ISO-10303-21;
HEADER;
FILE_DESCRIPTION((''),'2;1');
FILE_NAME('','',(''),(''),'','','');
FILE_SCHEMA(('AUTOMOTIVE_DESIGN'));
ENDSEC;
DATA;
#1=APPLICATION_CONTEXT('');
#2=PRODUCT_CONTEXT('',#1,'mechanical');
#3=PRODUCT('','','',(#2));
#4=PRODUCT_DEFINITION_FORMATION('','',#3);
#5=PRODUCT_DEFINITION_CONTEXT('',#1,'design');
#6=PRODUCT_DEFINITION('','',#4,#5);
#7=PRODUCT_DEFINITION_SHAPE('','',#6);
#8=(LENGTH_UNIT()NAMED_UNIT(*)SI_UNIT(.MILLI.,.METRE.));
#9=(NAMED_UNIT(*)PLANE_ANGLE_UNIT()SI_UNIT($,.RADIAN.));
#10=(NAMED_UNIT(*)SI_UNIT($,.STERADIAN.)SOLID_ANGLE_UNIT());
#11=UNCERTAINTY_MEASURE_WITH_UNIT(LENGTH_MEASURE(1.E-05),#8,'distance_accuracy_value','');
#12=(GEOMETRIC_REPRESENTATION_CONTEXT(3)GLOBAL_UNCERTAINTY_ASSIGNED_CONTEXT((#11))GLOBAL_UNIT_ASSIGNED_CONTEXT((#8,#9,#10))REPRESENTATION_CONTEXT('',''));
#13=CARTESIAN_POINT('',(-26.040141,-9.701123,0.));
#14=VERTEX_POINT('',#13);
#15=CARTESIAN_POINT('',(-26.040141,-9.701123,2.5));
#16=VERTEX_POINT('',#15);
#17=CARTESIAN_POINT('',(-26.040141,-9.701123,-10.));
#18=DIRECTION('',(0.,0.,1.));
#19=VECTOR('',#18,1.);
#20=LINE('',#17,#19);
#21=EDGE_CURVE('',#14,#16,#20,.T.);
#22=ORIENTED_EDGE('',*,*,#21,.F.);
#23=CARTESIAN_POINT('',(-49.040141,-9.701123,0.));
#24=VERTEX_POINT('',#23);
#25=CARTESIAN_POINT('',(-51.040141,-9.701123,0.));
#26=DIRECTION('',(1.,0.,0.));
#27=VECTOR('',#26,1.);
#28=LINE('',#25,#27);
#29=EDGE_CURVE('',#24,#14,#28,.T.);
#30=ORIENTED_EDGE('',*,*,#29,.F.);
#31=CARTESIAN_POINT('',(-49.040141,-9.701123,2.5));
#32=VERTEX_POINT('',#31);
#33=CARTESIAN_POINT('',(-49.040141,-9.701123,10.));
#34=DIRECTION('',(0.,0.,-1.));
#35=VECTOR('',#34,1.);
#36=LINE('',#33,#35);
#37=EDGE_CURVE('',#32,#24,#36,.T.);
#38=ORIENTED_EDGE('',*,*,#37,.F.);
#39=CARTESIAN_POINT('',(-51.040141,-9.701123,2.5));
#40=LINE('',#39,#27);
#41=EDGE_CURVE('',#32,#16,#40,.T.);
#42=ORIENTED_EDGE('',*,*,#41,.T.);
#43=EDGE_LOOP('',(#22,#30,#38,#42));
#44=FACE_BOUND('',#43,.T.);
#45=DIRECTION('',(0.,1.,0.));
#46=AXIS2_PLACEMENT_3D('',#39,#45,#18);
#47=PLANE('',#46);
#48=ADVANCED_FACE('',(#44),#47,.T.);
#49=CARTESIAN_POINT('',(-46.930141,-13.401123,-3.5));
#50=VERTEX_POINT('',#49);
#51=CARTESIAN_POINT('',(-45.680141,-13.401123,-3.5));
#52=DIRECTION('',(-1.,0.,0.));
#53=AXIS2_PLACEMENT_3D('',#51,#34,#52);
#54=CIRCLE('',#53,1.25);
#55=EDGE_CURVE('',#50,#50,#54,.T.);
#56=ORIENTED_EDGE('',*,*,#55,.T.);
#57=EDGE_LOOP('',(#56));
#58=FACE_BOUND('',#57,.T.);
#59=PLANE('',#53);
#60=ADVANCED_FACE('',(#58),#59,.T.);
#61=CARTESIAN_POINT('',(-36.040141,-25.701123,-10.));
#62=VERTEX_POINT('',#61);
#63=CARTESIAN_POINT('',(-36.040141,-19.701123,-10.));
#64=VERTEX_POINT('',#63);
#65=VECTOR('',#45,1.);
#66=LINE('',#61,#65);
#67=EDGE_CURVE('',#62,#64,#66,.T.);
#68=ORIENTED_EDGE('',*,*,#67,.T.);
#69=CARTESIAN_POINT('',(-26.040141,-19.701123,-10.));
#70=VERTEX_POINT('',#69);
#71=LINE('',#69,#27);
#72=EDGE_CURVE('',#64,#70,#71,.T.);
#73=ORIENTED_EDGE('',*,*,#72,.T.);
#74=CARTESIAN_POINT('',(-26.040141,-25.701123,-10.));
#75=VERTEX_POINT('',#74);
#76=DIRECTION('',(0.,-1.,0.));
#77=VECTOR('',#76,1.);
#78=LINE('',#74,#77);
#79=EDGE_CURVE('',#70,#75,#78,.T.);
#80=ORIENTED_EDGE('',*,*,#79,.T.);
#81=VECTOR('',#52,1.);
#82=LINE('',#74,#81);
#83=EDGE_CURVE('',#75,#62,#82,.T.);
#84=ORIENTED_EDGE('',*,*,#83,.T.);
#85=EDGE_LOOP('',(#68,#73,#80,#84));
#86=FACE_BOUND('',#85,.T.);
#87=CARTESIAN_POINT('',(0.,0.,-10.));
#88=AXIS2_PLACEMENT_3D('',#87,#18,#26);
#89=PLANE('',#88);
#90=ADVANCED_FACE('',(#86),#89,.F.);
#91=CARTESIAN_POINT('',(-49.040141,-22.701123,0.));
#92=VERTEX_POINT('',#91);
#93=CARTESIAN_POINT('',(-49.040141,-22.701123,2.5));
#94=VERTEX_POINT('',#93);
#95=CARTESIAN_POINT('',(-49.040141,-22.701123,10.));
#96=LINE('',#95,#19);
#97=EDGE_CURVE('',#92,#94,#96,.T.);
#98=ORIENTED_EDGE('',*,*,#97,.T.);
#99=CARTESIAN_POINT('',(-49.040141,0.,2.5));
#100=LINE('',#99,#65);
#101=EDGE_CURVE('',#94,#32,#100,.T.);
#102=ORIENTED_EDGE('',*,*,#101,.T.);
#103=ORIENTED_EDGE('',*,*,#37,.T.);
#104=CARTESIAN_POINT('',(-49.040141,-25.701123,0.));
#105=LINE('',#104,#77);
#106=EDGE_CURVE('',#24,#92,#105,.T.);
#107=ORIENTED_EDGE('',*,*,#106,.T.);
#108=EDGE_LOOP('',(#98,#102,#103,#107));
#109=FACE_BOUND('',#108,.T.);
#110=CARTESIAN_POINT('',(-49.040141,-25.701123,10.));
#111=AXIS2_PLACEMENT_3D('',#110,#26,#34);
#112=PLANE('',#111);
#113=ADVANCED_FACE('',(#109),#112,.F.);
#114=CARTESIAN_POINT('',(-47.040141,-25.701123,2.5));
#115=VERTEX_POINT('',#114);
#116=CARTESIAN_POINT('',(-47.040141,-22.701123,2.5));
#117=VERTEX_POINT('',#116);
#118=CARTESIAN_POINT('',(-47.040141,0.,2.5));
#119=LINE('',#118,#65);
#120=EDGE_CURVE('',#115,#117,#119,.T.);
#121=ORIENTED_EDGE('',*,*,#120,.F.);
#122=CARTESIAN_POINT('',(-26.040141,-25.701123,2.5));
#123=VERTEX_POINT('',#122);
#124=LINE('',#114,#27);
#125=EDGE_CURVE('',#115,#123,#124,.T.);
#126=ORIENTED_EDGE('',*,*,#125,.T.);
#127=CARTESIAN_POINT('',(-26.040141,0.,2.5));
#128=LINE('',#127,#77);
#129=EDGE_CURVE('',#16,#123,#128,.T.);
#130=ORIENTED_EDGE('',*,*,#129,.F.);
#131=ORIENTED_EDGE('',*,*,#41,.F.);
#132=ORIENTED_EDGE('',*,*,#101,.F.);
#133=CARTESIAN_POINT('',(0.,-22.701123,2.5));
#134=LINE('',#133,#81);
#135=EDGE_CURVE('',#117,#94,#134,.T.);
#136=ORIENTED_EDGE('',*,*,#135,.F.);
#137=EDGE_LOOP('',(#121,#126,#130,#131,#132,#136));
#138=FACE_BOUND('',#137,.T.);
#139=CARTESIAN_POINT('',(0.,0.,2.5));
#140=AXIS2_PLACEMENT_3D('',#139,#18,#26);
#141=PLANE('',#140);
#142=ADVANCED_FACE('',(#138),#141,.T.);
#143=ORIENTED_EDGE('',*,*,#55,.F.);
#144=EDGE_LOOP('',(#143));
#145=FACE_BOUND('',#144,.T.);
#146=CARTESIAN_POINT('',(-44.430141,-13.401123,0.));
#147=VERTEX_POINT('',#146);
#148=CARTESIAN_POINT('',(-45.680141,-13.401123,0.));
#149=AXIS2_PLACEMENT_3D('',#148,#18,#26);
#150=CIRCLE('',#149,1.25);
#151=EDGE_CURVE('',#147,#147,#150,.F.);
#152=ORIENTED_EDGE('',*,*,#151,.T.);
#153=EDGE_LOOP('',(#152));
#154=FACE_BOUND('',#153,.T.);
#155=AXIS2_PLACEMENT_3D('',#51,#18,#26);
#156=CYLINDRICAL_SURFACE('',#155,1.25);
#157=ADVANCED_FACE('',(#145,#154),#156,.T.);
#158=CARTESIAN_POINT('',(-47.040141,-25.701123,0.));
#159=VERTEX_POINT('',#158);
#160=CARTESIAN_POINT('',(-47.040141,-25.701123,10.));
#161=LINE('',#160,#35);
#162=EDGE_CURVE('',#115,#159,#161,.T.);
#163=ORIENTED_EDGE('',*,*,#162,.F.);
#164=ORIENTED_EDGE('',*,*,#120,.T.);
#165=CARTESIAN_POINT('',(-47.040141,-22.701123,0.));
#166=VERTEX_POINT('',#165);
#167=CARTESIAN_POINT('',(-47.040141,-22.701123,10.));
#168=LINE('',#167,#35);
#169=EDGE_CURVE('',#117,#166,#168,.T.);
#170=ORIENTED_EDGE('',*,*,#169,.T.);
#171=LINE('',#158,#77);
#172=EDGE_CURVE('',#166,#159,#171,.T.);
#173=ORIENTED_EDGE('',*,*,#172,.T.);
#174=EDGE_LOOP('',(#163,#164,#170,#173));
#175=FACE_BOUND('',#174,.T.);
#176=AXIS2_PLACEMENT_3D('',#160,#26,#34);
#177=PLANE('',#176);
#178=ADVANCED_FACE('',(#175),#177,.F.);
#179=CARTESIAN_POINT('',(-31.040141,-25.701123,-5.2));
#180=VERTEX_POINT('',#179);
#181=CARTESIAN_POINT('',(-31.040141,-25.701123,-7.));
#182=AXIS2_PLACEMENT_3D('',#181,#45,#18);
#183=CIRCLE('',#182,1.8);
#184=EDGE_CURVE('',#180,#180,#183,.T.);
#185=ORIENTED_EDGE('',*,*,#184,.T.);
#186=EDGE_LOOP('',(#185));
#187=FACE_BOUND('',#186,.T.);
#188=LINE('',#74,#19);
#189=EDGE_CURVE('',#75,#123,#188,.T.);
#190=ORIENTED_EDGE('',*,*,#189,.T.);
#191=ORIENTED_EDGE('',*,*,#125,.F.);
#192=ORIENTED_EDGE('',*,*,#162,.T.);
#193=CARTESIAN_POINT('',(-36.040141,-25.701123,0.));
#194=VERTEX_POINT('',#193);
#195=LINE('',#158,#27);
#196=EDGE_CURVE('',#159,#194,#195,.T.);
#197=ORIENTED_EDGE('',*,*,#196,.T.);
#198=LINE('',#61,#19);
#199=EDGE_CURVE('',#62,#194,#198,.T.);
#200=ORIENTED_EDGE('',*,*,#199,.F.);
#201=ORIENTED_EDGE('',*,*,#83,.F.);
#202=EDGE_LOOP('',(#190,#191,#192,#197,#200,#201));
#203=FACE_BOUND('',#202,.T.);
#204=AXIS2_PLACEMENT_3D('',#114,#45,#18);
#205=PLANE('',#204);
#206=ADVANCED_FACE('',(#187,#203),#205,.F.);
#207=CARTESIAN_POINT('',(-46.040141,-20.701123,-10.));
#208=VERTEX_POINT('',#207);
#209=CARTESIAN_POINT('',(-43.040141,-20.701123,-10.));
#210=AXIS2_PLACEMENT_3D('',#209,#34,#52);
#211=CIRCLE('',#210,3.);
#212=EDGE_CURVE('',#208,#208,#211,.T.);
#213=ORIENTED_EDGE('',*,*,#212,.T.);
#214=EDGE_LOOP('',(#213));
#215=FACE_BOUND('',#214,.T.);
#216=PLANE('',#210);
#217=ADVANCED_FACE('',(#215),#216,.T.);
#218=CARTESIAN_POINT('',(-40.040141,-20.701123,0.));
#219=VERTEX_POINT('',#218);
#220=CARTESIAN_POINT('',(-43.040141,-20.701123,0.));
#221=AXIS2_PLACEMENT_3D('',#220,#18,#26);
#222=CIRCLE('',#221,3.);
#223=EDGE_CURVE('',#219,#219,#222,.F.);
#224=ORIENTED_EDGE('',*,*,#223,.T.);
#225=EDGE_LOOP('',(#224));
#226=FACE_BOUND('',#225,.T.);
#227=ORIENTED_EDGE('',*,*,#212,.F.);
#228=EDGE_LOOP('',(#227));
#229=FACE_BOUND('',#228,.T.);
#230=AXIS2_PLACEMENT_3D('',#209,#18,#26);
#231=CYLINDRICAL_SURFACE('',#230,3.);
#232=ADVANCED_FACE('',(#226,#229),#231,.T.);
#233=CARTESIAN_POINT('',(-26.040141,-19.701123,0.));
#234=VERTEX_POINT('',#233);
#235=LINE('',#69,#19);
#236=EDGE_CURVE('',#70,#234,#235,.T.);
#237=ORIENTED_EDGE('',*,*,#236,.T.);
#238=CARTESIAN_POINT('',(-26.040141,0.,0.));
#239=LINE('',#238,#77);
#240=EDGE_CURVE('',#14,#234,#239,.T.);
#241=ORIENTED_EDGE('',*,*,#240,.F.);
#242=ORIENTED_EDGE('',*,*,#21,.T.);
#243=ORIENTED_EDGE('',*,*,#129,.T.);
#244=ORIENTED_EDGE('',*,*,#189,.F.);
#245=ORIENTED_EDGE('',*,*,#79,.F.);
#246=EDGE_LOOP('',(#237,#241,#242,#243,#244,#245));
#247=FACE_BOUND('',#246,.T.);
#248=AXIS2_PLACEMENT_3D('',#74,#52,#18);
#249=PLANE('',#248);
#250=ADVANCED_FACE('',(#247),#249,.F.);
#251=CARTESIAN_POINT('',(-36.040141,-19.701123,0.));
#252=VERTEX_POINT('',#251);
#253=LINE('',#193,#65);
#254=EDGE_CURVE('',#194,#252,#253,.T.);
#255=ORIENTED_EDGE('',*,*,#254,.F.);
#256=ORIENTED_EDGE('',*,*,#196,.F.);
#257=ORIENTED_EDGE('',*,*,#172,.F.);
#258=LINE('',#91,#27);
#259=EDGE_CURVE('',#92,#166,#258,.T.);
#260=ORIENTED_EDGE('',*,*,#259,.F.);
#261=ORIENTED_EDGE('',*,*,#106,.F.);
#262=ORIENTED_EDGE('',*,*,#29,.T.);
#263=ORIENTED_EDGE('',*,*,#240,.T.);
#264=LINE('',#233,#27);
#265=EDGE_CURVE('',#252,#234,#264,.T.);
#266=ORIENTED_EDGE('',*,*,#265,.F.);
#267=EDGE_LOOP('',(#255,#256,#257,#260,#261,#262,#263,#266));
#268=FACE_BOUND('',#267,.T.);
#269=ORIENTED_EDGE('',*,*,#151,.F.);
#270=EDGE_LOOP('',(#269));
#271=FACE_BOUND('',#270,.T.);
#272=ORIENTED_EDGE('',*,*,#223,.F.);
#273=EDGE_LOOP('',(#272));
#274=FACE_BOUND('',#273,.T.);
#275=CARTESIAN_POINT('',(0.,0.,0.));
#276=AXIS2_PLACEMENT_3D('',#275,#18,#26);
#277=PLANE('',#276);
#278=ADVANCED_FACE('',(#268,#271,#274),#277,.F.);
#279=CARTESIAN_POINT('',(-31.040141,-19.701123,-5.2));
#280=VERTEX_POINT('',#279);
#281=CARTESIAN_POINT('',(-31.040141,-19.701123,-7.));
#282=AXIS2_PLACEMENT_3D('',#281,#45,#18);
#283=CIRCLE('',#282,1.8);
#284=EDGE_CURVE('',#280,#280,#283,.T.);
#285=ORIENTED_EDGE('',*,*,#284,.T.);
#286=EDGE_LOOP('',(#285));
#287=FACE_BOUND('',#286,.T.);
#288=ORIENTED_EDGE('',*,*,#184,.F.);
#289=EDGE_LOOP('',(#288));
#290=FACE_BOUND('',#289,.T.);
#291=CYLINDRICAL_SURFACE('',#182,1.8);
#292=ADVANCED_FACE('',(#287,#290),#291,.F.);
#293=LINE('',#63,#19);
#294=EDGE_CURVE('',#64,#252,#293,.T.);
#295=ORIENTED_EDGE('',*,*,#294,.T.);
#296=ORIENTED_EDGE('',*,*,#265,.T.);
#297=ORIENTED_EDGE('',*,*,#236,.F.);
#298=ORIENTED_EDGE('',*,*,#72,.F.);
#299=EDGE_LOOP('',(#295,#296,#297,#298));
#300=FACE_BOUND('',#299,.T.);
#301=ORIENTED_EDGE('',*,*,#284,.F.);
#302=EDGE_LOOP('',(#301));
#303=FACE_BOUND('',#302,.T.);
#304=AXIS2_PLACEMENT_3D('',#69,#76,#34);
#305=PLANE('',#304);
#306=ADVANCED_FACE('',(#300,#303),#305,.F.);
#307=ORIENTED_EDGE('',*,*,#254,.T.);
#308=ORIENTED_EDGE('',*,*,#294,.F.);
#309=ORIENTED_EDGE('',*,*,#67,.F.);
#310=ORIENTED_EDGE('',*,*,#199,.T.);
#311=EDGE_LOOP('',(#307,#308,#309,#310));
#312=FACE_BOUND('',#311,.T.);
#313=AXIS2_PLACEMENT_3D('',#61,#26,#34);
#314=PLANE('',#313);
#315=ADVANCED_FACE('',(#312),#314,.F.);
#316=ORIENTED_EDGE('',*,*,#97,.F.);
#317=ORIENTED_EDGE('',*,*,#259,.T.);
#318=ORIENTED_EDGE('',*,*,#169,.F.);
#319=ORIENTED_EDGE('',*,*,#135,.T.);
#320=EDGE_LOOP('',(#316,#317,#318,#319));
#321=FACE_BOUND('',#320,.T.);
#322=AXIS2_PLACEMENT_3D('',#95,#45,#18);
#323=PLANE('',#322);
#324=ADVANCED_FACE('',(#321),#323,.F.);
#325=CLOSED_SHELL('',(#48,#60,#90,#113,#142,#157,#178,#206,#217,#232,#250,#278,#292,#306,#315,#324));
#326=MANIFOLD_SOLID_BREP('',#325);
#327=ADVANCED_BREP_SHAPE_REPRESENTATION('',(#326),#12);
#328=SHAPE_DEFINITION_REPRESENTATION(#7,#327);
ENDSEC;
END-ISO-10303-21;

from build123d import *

# Parameters (mm, degrees)
BOSS_EXTRUDE1_DEPTH = 2.5
SKETCH2_R           = 1.25
BOSS_EXTRUDE2_DEPTH = 3.5
SKETCH3_R           = 3
BOSS_EXTRUDE3_DEPTH = 10
SKETCH4_W           = 10
SKETCH4_H           = 6
BOSS_EXTRUDE4_DEPTH = 10
SKETCH5_R           = 1.8
CUT_EXTRUDE1_DEPTH  = 7
BOSS_EXTRUDE5_DEPTH = 2.5
SKETCH8_W           = 7
SKETCH8_H           = 30
CUT_EXTRUDE2_DEPTH  = 10
SKETCH9_W           = 15.6
SKETCH9_H           = 14
CUT_EXTRUDE3_DEPTH  = 10
SKETCH10_W          = 2
SKETCH10_H          = 16
CUT_EXTRUDE4_DEPTH  = 10
SKETCH11_R          = 1.25
BOSS_EXTRUDE6_DEPTH = 3.5
SKETCH12_W          = 2
SKETCH12_H          = 3
CUT_EXTRUDE5_DEPTH  = 10


with BuildPart() as part:
    # Sketch1 → Boss-Extrude1 (new body)
    with BuildSketch(Plane.XY):
        Polygon((-47.040141431, -25.701123128), (-19.040141431, -25.701123128), (-19.040141431, 4.298876872), (-29.040141431, 4.298876872), (-47.040141431, -15.701123128), align=None)
    extrude(amount=BOSS_EXTRUDE1_DEPTH)

    # Sketch2 → Boss-Extrude2 (add)
    with BuildSketch(Plane(origin=(0, 0, 0), x_dir=(-1, 0, 0), z_dir=(0, 0, -1))):
        with Locations((23.040141431, -0.081123128)):
            Circle(SKETCH2_R)
    extrude(amount=BOSS_EXTRUDE2_DEPTH)

    # Sketch3 → Boss-Extrude3 (add)
    with BuildSketch(Plane(origin=(0, 0, 0), x_dir=(-1, 0, 0), z_dir=(0, 0, -1))):
        with Locations((43.040141431, -20.701123128)):
            Circle(SKETCH3_R)
    extrude(amount=BOSS_EXTRUDE3_DEPTH)

    # Sketch4 → Boss-Extrude4 (add)
    with BuildSketch(Plane(origin=(0, 0, 0), x_dir=(-1, 0, 0), z_dir=(0, 0, -1))):
        with Locations((31.040141431, -22.701123128)):
            Rectangle(SKETCH4_W, SKETCH4_H)
    extrude(amount=BOSS_EXTRUDE4_DEPTH)

    # Sketch5 → Cut-Extrude1 (cut, through all)
    with BuildSketch(Plane(origin=(0, -19.701123128, 0), x_dir=(1, 0, 0), z_dir=(0, 1, 0))):
        with Locations((-31.040141431, 7)):
            Circle(SKETCH5_R)
    extrude(amount=-CUT_EXTRUDE1_DEPTH, mode=Mode.SUBTRACT)

    # Sketch6 → Boss-Extrude5 (add)
    with BuildSketch(Plane(origin=(0, 0, 0), x_dir=(-1, 0, 0), z_dir=(0, 0, -1))):
        Polygon((47.040141431, -25.701123128), (51.040141431, -25.701123128), (51.040141431, -9.701123128), (41.640141431, -9.701123128), (47.040141431, -15.701123128), align=None)
    extrude(amount=-BOSS_EXTRUDE5_DEPTH)

    # Sketch8 → Cut-Extrude2 (cut)
    with BuildSketch(Plane(origin=(0, 0, -3.5), x_dir=(-1, 0, 0), z_dir=(0, 0, -1))):
        with Locations((22.540141431, -10.701123128)):
            Rectangle(SKETCH8_W, SKETCH8_H)
    extrude(amount=-CUT_EXTRUDE2_DEPTH, mode=Mode.SUBTRACT)

    # Sketch9 → Cut-Extrude3 (cut)
    with BuildSketch(Plane(origin=(0, 0, 0), x_dir=(-1, 0, 0), z_dir=(0, 0, -1))):
        with Locations((33.840141431, -2.701123128)):
            Rectangle(SKETCH9_W, SKETCH9_H)
    extrude(amount=-CUT_EXTRUDE3_DEPTH, mode=Mode.SUBTRACT)

    # Sketch10 → Cut-Extrude4 (cut)
    with BuildSketch(Plane(origin=(0, 0, 0), x_dir=(-1, 0, 0), z_dir=(0, 0, -1))):
        with Locations((50.040141431, -17.701123128)):
            Rectangle(SKETCH10_W, SKETCH10_H)
    extrude(amount=-CUT_EXTRUDE4_DEPTH, mode=Mode.SUBTRACT)

    # Sketch11 → Boss-Extrude6 (add)
    with BuildSketch(Plane(origin=(0, 0, 0), x_dir=(-1, 0, 0), z_dir=(0, 0, -1))):
        with Locations((45.680141431, -13.401123128)):
            Circle(SKETCH11_R)
    extrude(amount=BOSS_EXTRUDE6_DEPTH)

    # Sketch12 → Cut-Extrude5 (cut)
    with BuildSketch(Plane(origin=(0, 0, 0), x_dir=(-1, 0, 0), z_dir=(0, 0, -1))):
        with Locations((48.040141431, -24.201123128)):
            Rectangle(SKETCH12_W, SKETCH12_H)
    extrude(amount=-CUT_EXTRUDE5_DEPTH, mode=Mode.SUBTRACT)


solid = part.part
